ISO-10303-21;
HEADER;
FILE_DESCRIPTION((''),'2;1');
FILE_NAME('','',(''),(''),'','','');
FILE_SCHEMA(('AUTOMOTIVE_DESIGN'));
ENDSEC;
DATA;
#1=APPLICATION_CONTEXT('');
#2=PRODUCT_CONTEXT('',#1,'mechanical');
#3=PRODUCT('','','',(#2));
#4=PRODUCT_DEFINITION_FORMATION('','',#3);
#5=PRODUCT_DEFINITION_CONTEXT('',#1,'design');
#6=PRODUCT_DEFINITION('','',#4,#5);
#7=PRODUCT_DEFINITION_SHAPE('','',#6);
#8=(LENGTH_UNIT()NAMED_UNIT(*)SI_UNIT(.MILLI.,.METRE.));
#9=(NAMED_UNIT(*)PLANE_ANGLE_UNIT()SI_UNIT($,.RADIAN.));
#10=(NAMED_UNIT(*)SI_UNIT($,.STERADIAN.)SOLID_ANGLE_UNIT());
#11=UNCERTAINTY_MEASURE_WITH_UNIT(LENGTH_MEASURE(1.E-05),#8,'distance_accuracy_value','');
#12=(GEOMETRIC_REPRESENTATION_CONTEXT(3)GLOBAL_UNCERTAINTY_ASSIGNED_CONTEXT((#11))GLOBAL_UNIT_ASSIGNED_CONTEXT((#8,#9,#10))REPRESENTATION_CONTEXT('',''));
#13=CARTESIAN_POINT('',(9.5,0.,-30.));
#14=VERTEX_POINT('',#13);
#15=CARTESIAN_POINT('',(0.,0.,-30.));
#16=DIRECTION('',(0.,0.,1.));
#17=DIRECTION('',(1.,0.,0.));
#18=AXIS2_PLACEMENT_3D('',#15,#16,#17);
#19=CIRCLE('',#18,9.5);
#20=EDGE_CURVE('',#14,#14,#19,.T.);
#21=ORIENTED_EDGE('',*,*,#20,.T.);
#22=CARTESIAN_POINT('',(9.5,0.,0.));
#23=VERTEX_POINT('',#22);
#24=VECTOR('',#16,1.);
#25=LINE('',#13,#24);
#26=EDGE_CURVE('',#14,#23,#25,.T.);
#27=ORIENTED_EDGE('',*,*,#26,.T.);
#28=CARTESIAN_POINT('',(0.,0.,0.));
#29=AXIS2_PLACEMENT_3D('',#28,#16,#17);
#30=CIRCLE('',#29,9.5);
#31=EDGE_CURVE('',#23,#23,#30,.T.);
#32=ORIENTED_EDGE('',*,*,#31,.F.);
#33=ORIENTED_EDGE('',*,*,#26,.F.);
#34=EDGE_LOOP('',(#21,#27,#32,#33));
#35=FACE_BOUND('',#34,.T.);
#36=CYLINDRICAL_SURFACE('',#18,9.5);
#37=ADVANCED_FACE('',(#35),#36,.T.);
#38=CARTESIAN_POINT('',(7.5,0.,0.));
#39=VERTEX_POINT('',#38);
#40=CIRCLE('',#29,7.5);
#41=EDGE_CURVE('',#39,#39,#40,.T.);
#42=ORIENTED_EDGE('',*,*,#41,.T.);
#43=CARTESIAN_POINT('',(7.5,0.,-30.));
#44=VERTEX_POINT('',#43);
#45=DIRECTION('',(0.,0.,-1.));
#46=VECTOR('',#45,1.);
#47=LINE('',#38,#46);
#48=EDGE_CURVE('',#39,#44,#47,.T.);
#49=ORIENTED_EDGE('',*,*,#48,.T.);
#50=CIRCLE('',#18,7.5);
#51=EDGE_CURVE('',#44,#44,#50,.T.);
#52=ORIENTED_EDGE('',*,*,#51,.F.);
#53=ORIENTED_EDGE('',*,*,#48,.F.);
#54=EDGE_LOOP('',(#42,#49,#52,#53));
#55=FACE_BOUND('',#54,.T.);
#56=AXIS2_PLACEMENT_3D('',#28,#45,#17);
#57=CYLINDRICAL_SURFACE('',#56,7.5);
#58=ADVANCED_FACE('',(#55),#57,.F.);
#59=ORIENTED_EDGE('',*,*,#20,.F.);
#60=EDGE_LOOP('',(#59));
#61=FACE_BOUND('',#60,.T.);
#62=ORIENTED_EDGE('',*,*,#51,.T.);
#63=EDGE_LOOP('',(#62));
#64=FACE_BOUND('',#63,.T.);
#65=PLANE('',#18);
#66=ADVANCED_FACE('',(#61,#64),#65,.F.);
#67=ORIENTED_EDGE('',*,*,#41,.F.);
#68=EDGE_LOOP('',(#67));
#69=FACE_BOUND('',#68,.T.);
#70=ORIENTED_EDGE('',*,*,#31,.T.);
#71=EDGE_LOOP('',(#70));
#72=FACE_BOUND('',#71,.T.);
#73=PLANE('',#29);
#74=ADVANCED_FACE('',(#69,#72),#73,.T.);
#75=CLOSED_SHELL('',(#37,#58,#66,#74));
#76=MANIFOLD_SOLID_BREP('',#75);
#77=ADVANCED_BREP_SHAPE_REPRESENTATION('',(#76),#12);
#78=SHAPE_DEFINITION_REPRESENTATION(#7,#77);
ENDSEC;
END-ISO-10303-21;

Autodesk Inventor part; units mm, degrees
ref_plane "YZ Plane" through (0, 0, 0) normal (1, 0, 0) x (0, 1, 0)
ref_plane "XZ Plane" through (0, 0, 0) normal (0, 1, 0) x (-1, 0, 0)
ref_plane "XY Plane" through (0, 0, 0) normal (0, 0, 1) x (1, 0, 0)
sketch "Sketch1" plane through (0, 0, 0) normal (0, 1, 0) x (-1, 0, 0)
  line L0 (-9.5, 0) -> (-7.5, 0)
  line L1 (-7.5, 0) -> (-7.5, -30)
  line L2 (-7.5, -30) -> (-9.5, -30)
  line L3 (-9.5, -30) -> (-9.5, 0)
  line L4 (0, -36) -> (0, 6) projected
  point P0 (0, 0)
  dimension "d0" = 2
  dimension "d1" = 30
  dimension "d3" = 9.5
revolve "Revolution1" add sketch "Sketch1" angle 360 about axis through (0, 0, -10) along (0, 0, 1)
properties part number "centerAxleBearingSpacer"
